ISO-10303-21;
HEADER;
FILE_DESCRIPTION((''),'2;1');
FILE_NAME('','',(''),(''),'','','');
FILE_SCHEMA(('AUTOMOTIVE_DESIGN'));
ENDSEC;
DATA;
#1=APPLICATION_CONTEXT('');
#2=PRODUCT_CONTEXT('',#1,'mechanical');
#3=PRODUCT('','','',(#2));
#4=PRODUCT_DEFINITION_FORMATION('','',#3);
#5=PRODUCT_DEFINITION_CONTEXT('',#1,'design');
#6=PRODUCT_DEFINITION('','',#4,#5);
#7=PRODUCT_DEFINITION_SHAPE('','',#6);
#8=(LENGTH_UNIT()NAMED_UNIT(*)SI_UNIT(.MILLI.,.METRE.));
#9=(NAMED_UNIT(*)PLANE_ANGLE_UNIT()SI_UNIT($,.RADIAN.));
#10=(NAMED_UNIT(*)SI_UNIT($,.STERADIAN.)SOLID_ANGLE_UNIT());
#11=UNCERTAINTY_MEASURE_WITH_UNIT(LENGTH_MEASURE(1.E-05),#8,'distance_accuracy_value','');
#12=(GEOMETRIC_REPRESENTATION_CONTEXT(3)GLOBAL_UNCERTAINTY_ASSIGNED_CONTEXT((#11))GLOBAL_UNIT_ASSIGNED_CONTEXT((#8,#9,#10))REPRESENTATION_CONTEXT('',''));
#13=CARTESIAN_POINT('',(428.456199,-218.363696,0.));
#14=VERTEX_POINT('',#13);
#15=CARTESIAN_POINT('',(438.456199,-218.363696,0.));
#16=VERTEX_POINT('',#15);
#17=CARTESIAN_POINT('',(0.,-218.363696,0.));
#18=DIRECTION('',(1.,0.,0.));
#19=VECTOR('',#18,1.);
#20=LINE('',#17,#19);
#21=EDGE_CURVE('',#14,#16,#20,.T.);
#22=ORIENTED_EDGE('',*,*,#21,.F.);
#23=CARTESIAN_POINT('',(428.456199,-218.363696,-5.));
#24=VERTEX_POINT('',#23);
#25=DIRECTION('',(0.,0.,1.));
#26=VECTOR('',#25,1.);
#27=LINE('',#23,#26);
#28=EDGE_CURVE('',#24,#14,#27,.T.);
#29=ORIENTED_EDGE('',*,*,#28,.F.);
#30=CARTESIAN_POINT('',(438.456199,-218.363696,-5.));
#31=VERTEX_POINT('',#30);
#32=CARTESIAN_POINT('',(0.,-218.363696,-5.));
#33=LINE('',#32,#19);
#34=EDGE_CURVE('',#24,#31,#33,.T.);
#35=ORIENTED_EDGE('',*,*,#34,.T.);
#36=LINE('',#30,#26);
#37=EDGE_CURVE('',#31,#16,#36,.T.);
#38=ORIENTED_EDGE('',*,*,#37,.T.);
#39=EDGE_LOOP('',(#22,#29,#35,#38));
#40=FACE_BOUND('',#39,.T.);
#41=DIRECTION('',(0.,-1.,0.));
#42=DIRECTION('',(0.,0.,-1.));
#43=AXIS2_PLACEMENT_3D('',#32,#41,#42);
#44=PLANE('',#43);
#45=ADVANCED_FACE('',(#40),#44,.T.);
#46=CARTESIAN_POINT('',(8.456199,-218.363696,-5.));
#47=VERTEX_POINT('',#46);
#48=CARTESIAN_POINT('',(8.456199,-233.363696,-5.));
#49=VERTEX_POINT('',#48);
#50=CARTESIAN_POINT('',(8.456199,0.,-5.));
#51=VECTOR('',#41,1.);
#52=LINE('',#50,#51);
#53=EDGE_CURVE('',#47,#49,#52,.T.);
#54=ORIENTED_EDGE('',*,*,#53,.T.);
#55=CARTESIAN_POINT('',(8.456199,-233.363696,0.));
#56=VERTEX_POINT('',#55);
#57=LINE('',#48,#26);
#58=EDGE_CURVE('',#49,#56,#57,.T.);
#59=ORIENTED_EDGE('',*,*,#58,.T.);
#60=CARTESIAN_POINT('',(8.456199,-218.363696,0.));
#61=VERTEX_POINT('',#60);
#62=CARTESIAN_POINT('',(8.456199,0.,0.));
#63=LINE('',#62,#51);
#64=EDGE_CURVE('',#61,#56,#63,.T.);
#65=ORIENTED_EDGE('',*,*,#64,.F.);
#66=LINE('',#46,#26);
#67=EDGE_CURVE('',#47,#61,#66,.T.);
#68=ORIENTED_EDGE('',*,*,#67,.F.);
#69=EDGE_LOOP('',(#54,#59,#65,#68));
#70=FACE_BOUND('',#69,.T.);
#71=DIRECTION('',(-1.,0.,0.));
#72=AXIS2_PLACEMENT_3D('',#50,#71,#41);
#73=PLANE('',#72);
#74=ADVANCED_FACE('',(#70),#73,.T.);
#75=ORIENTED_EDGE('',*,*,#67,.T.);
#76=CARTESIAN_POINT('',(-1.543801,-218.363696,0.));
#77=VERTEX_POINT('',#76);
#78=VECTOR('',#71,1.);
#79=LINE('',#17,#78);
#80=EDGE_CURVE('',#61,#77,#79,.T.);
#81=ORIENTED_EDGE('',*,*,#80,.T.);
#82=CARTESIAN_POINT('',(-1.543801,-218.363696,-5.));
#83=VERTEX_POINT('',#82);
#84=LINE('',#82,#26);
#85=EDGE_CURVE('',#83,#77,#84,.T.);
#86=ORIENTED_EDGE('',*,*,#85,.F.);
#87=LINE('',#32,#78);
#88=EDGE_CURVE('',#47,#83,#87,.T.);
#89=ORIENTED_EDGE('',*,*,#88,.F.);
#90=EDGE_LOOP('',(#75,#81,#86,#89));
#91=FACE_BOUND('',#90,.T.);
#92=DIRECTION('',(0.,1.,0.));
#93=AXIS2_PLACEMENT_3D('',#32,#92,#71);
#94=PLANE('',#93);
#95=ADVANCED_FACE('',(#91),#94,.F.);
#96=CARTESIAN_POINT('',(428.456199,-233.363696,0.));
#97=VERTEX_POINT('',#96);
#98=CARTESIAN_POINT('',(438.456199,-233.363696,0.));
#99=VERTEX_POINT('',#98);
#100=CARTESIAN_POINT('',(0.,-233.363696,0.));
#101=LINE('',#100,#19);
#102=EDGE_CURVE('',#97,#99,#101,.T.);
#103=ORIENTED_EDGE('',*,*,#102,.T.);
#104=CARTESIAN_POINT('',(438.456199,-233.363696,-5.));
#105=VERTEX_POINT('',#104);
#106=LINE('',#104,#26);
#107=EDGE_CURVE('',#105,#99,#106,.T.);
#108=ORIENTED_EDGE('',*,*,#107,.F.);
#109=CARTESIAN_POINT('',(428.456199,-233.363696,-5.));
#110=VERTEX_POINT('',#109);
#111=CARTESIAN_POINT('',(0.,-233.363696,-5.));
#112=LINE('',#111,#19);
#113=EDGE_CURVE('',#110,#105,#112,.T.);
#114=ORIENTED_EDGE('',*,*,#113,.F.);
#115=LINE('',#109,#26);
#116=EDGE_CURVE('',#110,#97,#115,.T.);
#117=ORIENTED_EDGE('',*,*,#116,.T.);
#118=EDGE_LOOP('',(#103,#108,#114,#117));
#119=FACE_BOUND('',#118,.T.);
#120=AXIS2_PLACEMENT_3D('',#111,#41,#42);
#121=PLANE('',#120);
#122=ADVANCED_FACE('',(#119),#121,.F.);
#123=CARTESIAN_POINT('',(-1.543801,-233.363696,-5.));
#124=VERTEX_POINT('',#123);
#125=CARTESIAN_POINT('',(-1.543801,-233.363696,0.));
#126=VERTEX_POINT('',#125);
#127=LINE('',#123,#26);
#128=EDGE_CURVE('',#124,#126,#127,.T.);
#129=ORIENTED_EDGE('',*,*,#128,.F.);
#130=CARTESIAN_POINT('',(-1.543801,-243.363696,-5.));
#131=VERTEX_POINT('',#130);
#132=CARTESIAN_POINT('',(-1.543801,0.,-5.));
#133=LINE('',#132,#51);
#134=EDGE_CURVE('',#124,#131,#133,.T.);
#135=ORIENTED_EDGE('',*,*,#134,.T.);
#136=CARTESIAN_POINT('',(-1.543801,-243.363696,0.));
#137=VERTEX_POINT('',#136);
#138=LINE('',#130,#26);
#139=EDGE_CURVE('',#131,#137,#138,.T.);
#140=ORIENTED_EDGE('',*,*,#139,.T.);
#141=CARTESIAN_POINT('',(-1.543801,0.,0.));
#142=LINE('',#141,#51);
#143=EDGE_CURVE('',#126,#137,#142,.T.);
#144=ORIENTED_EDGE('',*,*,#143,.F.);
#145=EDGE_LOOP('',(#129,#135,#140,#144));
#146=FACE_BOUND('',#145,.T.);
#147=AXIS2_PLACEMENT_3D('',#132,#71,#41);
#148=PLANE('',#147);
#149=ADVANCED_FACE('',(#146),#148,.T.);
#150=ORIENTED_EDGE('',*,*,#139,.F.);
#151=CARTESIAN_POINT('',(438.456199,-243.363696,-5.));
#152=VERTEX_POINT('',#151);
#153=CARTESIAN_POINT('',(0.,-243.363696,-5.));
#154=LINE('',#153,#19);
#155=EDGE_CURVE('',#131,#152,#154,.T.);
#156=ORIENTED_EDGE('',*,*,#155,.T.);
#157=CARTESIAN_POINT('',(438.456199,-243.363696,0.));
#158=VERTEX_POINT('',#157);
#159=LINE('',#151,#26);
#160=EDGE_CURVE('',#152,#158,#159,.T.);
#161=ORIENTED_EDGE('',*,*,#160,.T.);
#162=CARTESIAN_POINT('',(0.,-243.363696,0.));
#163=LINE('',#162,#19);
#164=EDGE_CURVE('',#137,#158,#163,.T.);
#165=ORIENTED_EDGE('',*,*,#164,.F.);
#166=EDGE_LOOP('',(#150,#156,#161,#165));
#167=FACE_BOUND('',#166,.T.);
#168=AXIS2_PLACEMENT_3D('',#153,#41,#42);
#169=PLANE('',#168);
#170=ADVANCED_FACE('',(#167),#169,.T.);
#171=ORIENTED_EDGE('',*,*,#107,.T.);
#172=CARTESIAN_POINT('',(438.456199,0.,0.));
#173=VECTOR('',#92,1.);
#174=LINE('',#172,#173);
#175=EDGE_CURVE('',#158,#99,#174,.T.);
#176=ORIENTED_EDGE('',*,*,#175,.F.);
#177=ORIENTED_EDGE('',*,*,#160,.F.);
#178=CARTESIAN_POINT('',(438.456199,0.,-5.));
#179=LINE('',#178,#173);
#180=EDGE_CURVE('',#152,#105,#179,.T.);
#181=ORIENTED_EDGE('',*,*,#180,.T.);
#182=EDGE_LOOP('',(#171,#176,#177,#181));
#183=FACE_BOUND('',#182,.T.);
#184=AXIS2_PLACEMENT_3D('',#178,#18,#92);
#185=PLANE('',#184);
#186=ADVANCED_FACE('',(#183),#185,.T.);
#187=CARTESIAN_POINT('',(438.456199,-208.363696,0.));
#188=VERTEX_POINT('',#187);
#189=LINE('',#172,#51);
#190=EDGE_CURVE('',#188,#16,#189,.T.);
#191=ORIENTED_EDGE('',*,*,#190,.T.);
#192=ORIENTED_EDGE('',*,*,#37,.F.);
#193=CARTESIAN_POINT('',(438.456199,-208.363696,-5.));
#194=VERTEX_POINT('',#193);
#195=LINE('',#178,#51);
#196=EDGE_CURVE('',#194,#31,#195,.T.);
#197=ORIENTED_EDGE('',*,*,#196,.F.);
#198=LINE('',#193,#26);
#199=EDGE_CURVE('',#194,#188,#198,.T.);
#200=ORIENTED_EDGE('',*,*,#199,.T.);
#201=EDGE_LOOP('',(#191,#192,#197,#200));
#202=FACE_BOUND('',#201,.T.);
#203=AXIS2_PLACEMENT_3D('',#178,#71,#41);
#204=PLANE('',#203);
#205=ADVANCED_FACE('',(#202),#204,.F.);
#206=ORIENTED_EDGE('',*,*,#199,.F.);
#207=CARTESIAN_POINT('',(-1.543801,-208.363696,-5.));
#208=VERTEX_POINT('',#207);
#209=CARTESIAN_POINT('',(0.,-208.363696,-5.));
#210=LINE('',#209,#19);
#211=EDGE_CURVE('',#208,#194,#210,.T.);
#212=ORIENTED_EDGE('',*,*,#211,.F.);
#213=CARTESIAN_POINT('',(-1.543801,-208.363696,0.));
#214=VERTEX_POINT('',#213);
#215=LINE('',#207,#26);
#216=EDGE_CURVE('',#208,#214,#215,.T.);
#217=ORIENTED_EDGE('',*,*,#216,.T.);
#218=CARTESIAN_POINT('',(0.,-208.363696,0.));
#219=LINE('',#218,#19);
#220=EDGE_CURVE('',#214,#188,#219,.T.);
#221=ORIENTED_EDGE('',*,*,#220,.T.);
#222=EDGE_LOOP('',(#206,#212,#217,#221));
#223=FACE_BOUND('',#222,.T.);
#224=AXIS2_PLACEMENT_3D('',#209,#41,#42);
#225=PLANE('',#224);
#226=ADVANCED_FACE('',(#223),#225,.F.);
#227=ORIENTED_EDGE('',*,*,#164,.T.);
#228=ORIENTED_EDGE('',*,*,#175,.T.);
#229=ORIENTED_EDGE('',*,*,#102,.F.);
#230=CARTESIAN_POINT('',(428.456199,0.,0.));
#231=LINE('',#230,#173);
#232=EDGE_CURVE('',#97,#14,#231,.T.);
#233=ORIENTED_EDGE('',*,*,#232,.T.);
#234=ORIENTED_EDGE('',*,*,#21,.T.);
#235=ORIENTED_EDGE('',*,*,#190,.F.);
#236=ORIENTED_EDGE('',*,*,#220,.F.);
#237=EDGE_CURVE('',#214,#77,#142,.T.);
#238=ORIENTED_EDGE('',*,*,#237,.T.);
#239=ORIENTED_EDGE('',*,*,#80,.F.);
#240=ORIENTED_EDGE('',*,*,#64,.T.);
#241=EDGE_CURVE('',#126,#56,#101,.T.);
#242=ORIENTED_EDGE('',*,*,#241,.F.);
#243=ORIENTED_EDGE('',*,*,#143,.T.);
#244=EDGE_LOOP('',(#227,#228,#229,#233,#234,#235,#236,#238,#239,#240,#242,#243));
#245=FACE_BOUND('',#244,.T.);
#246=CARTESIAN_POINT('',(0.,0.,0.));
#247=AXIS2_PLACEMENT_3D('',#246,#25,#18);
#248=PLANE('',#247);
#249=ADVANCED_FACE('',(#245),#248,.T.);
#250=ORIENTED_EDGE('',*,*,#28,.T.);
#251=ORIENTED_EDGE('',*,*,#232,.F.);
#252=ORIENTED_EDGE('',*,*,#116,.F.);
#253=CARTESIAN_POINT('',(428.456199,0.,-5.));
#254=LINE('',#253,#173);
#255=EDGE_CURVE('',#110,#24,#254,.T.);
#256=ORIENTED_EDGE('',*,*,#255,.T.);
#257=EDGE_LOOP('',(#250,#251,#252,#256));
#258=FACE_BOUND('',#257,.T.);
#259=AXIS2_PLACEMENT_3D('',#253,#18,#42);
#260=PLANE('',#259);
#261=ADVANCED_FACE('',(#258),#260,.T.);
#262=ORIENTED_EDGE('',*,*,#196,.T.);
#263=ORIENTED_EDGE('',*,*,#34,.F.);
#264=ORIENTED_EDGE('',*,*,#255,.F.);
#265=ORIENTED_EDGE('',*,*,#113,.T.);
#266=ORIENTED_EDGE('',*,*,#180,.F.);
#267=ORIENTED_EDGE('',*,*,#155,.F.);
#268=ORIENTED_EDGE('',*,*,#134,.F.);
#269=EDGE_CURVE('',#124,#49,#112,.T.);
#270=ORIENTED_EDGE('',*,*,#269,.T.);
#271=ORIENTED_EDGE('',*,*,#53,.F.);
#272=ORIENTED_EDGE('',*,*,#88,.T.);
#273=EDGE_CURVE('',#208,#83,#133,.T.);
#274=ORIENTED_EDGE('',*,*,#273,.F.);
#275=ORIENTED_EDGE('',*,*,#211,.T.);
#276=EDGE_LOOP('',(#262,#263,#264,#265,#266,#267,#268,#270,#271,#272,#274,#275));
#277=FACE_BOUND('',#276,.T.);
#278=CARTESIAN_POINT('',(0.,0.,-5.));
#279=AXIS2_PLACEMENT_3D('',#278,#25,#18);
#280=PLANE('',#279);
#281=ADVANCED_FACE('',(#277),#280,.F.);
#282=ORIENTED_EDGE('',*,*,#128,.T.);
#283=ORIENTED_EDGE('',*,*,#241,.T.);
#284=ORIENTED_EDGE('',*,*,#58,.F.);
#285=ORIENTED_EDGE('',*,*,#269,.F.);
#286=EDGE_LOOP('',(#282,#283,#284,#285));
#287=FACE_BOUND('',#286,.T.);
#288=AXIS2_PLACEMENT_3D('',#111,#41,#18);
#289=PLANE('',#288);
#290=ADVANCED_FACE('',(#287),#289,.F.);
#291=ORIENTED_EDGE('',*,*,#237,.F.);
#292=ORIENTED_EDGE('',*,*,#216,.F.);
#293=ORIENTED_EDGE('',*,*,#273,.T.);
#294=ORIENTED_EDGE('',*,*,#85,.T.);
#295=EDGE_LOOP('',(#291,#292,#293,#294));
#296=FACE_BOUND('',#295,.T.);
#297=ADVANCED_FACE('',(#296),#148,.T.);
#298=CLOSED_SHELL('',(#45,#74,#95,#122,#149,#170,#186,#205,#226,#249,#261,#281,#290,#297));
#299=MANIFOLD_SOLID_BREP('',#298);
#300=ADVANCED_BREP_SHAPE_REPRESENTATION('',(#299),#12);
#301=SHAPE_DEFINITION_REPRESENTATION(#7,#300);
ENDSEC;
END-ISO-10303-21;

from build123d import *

# Parameters (mm, degrees)
BOSS_EXTRUDE1_DEPTH = 5


with BuildPart() as part:
    # Sketch1 → Boss-Extrude1 (new body)
    with BuildSketch(Plane.XY):
        Polygon((8.456199079, -233.363695942), (-1.543800921, -233.363695942), (-1.543800921, -243.363695942), (8.456199079, -243.363695942), (428.456199079, -243.363695942), (438.456199079, -243.363695942), (438.456199079, -233.363695942), (428.456199079, -233.363695942), (428.456199079, -218.363695942), (438.456199079, -218.363695942), (438.456199079, -208.363695942), (428.456199079, -208.363695942), (8.456199079, -208.363695942), (-1.543800921, -208.363695942), (-1.543800921, -218.363695942), (8.456199079, -218.363695942), align=None)
    extrude(amount=-BOSS_EXTRUDE1_DEPTH)


solid = part.part
